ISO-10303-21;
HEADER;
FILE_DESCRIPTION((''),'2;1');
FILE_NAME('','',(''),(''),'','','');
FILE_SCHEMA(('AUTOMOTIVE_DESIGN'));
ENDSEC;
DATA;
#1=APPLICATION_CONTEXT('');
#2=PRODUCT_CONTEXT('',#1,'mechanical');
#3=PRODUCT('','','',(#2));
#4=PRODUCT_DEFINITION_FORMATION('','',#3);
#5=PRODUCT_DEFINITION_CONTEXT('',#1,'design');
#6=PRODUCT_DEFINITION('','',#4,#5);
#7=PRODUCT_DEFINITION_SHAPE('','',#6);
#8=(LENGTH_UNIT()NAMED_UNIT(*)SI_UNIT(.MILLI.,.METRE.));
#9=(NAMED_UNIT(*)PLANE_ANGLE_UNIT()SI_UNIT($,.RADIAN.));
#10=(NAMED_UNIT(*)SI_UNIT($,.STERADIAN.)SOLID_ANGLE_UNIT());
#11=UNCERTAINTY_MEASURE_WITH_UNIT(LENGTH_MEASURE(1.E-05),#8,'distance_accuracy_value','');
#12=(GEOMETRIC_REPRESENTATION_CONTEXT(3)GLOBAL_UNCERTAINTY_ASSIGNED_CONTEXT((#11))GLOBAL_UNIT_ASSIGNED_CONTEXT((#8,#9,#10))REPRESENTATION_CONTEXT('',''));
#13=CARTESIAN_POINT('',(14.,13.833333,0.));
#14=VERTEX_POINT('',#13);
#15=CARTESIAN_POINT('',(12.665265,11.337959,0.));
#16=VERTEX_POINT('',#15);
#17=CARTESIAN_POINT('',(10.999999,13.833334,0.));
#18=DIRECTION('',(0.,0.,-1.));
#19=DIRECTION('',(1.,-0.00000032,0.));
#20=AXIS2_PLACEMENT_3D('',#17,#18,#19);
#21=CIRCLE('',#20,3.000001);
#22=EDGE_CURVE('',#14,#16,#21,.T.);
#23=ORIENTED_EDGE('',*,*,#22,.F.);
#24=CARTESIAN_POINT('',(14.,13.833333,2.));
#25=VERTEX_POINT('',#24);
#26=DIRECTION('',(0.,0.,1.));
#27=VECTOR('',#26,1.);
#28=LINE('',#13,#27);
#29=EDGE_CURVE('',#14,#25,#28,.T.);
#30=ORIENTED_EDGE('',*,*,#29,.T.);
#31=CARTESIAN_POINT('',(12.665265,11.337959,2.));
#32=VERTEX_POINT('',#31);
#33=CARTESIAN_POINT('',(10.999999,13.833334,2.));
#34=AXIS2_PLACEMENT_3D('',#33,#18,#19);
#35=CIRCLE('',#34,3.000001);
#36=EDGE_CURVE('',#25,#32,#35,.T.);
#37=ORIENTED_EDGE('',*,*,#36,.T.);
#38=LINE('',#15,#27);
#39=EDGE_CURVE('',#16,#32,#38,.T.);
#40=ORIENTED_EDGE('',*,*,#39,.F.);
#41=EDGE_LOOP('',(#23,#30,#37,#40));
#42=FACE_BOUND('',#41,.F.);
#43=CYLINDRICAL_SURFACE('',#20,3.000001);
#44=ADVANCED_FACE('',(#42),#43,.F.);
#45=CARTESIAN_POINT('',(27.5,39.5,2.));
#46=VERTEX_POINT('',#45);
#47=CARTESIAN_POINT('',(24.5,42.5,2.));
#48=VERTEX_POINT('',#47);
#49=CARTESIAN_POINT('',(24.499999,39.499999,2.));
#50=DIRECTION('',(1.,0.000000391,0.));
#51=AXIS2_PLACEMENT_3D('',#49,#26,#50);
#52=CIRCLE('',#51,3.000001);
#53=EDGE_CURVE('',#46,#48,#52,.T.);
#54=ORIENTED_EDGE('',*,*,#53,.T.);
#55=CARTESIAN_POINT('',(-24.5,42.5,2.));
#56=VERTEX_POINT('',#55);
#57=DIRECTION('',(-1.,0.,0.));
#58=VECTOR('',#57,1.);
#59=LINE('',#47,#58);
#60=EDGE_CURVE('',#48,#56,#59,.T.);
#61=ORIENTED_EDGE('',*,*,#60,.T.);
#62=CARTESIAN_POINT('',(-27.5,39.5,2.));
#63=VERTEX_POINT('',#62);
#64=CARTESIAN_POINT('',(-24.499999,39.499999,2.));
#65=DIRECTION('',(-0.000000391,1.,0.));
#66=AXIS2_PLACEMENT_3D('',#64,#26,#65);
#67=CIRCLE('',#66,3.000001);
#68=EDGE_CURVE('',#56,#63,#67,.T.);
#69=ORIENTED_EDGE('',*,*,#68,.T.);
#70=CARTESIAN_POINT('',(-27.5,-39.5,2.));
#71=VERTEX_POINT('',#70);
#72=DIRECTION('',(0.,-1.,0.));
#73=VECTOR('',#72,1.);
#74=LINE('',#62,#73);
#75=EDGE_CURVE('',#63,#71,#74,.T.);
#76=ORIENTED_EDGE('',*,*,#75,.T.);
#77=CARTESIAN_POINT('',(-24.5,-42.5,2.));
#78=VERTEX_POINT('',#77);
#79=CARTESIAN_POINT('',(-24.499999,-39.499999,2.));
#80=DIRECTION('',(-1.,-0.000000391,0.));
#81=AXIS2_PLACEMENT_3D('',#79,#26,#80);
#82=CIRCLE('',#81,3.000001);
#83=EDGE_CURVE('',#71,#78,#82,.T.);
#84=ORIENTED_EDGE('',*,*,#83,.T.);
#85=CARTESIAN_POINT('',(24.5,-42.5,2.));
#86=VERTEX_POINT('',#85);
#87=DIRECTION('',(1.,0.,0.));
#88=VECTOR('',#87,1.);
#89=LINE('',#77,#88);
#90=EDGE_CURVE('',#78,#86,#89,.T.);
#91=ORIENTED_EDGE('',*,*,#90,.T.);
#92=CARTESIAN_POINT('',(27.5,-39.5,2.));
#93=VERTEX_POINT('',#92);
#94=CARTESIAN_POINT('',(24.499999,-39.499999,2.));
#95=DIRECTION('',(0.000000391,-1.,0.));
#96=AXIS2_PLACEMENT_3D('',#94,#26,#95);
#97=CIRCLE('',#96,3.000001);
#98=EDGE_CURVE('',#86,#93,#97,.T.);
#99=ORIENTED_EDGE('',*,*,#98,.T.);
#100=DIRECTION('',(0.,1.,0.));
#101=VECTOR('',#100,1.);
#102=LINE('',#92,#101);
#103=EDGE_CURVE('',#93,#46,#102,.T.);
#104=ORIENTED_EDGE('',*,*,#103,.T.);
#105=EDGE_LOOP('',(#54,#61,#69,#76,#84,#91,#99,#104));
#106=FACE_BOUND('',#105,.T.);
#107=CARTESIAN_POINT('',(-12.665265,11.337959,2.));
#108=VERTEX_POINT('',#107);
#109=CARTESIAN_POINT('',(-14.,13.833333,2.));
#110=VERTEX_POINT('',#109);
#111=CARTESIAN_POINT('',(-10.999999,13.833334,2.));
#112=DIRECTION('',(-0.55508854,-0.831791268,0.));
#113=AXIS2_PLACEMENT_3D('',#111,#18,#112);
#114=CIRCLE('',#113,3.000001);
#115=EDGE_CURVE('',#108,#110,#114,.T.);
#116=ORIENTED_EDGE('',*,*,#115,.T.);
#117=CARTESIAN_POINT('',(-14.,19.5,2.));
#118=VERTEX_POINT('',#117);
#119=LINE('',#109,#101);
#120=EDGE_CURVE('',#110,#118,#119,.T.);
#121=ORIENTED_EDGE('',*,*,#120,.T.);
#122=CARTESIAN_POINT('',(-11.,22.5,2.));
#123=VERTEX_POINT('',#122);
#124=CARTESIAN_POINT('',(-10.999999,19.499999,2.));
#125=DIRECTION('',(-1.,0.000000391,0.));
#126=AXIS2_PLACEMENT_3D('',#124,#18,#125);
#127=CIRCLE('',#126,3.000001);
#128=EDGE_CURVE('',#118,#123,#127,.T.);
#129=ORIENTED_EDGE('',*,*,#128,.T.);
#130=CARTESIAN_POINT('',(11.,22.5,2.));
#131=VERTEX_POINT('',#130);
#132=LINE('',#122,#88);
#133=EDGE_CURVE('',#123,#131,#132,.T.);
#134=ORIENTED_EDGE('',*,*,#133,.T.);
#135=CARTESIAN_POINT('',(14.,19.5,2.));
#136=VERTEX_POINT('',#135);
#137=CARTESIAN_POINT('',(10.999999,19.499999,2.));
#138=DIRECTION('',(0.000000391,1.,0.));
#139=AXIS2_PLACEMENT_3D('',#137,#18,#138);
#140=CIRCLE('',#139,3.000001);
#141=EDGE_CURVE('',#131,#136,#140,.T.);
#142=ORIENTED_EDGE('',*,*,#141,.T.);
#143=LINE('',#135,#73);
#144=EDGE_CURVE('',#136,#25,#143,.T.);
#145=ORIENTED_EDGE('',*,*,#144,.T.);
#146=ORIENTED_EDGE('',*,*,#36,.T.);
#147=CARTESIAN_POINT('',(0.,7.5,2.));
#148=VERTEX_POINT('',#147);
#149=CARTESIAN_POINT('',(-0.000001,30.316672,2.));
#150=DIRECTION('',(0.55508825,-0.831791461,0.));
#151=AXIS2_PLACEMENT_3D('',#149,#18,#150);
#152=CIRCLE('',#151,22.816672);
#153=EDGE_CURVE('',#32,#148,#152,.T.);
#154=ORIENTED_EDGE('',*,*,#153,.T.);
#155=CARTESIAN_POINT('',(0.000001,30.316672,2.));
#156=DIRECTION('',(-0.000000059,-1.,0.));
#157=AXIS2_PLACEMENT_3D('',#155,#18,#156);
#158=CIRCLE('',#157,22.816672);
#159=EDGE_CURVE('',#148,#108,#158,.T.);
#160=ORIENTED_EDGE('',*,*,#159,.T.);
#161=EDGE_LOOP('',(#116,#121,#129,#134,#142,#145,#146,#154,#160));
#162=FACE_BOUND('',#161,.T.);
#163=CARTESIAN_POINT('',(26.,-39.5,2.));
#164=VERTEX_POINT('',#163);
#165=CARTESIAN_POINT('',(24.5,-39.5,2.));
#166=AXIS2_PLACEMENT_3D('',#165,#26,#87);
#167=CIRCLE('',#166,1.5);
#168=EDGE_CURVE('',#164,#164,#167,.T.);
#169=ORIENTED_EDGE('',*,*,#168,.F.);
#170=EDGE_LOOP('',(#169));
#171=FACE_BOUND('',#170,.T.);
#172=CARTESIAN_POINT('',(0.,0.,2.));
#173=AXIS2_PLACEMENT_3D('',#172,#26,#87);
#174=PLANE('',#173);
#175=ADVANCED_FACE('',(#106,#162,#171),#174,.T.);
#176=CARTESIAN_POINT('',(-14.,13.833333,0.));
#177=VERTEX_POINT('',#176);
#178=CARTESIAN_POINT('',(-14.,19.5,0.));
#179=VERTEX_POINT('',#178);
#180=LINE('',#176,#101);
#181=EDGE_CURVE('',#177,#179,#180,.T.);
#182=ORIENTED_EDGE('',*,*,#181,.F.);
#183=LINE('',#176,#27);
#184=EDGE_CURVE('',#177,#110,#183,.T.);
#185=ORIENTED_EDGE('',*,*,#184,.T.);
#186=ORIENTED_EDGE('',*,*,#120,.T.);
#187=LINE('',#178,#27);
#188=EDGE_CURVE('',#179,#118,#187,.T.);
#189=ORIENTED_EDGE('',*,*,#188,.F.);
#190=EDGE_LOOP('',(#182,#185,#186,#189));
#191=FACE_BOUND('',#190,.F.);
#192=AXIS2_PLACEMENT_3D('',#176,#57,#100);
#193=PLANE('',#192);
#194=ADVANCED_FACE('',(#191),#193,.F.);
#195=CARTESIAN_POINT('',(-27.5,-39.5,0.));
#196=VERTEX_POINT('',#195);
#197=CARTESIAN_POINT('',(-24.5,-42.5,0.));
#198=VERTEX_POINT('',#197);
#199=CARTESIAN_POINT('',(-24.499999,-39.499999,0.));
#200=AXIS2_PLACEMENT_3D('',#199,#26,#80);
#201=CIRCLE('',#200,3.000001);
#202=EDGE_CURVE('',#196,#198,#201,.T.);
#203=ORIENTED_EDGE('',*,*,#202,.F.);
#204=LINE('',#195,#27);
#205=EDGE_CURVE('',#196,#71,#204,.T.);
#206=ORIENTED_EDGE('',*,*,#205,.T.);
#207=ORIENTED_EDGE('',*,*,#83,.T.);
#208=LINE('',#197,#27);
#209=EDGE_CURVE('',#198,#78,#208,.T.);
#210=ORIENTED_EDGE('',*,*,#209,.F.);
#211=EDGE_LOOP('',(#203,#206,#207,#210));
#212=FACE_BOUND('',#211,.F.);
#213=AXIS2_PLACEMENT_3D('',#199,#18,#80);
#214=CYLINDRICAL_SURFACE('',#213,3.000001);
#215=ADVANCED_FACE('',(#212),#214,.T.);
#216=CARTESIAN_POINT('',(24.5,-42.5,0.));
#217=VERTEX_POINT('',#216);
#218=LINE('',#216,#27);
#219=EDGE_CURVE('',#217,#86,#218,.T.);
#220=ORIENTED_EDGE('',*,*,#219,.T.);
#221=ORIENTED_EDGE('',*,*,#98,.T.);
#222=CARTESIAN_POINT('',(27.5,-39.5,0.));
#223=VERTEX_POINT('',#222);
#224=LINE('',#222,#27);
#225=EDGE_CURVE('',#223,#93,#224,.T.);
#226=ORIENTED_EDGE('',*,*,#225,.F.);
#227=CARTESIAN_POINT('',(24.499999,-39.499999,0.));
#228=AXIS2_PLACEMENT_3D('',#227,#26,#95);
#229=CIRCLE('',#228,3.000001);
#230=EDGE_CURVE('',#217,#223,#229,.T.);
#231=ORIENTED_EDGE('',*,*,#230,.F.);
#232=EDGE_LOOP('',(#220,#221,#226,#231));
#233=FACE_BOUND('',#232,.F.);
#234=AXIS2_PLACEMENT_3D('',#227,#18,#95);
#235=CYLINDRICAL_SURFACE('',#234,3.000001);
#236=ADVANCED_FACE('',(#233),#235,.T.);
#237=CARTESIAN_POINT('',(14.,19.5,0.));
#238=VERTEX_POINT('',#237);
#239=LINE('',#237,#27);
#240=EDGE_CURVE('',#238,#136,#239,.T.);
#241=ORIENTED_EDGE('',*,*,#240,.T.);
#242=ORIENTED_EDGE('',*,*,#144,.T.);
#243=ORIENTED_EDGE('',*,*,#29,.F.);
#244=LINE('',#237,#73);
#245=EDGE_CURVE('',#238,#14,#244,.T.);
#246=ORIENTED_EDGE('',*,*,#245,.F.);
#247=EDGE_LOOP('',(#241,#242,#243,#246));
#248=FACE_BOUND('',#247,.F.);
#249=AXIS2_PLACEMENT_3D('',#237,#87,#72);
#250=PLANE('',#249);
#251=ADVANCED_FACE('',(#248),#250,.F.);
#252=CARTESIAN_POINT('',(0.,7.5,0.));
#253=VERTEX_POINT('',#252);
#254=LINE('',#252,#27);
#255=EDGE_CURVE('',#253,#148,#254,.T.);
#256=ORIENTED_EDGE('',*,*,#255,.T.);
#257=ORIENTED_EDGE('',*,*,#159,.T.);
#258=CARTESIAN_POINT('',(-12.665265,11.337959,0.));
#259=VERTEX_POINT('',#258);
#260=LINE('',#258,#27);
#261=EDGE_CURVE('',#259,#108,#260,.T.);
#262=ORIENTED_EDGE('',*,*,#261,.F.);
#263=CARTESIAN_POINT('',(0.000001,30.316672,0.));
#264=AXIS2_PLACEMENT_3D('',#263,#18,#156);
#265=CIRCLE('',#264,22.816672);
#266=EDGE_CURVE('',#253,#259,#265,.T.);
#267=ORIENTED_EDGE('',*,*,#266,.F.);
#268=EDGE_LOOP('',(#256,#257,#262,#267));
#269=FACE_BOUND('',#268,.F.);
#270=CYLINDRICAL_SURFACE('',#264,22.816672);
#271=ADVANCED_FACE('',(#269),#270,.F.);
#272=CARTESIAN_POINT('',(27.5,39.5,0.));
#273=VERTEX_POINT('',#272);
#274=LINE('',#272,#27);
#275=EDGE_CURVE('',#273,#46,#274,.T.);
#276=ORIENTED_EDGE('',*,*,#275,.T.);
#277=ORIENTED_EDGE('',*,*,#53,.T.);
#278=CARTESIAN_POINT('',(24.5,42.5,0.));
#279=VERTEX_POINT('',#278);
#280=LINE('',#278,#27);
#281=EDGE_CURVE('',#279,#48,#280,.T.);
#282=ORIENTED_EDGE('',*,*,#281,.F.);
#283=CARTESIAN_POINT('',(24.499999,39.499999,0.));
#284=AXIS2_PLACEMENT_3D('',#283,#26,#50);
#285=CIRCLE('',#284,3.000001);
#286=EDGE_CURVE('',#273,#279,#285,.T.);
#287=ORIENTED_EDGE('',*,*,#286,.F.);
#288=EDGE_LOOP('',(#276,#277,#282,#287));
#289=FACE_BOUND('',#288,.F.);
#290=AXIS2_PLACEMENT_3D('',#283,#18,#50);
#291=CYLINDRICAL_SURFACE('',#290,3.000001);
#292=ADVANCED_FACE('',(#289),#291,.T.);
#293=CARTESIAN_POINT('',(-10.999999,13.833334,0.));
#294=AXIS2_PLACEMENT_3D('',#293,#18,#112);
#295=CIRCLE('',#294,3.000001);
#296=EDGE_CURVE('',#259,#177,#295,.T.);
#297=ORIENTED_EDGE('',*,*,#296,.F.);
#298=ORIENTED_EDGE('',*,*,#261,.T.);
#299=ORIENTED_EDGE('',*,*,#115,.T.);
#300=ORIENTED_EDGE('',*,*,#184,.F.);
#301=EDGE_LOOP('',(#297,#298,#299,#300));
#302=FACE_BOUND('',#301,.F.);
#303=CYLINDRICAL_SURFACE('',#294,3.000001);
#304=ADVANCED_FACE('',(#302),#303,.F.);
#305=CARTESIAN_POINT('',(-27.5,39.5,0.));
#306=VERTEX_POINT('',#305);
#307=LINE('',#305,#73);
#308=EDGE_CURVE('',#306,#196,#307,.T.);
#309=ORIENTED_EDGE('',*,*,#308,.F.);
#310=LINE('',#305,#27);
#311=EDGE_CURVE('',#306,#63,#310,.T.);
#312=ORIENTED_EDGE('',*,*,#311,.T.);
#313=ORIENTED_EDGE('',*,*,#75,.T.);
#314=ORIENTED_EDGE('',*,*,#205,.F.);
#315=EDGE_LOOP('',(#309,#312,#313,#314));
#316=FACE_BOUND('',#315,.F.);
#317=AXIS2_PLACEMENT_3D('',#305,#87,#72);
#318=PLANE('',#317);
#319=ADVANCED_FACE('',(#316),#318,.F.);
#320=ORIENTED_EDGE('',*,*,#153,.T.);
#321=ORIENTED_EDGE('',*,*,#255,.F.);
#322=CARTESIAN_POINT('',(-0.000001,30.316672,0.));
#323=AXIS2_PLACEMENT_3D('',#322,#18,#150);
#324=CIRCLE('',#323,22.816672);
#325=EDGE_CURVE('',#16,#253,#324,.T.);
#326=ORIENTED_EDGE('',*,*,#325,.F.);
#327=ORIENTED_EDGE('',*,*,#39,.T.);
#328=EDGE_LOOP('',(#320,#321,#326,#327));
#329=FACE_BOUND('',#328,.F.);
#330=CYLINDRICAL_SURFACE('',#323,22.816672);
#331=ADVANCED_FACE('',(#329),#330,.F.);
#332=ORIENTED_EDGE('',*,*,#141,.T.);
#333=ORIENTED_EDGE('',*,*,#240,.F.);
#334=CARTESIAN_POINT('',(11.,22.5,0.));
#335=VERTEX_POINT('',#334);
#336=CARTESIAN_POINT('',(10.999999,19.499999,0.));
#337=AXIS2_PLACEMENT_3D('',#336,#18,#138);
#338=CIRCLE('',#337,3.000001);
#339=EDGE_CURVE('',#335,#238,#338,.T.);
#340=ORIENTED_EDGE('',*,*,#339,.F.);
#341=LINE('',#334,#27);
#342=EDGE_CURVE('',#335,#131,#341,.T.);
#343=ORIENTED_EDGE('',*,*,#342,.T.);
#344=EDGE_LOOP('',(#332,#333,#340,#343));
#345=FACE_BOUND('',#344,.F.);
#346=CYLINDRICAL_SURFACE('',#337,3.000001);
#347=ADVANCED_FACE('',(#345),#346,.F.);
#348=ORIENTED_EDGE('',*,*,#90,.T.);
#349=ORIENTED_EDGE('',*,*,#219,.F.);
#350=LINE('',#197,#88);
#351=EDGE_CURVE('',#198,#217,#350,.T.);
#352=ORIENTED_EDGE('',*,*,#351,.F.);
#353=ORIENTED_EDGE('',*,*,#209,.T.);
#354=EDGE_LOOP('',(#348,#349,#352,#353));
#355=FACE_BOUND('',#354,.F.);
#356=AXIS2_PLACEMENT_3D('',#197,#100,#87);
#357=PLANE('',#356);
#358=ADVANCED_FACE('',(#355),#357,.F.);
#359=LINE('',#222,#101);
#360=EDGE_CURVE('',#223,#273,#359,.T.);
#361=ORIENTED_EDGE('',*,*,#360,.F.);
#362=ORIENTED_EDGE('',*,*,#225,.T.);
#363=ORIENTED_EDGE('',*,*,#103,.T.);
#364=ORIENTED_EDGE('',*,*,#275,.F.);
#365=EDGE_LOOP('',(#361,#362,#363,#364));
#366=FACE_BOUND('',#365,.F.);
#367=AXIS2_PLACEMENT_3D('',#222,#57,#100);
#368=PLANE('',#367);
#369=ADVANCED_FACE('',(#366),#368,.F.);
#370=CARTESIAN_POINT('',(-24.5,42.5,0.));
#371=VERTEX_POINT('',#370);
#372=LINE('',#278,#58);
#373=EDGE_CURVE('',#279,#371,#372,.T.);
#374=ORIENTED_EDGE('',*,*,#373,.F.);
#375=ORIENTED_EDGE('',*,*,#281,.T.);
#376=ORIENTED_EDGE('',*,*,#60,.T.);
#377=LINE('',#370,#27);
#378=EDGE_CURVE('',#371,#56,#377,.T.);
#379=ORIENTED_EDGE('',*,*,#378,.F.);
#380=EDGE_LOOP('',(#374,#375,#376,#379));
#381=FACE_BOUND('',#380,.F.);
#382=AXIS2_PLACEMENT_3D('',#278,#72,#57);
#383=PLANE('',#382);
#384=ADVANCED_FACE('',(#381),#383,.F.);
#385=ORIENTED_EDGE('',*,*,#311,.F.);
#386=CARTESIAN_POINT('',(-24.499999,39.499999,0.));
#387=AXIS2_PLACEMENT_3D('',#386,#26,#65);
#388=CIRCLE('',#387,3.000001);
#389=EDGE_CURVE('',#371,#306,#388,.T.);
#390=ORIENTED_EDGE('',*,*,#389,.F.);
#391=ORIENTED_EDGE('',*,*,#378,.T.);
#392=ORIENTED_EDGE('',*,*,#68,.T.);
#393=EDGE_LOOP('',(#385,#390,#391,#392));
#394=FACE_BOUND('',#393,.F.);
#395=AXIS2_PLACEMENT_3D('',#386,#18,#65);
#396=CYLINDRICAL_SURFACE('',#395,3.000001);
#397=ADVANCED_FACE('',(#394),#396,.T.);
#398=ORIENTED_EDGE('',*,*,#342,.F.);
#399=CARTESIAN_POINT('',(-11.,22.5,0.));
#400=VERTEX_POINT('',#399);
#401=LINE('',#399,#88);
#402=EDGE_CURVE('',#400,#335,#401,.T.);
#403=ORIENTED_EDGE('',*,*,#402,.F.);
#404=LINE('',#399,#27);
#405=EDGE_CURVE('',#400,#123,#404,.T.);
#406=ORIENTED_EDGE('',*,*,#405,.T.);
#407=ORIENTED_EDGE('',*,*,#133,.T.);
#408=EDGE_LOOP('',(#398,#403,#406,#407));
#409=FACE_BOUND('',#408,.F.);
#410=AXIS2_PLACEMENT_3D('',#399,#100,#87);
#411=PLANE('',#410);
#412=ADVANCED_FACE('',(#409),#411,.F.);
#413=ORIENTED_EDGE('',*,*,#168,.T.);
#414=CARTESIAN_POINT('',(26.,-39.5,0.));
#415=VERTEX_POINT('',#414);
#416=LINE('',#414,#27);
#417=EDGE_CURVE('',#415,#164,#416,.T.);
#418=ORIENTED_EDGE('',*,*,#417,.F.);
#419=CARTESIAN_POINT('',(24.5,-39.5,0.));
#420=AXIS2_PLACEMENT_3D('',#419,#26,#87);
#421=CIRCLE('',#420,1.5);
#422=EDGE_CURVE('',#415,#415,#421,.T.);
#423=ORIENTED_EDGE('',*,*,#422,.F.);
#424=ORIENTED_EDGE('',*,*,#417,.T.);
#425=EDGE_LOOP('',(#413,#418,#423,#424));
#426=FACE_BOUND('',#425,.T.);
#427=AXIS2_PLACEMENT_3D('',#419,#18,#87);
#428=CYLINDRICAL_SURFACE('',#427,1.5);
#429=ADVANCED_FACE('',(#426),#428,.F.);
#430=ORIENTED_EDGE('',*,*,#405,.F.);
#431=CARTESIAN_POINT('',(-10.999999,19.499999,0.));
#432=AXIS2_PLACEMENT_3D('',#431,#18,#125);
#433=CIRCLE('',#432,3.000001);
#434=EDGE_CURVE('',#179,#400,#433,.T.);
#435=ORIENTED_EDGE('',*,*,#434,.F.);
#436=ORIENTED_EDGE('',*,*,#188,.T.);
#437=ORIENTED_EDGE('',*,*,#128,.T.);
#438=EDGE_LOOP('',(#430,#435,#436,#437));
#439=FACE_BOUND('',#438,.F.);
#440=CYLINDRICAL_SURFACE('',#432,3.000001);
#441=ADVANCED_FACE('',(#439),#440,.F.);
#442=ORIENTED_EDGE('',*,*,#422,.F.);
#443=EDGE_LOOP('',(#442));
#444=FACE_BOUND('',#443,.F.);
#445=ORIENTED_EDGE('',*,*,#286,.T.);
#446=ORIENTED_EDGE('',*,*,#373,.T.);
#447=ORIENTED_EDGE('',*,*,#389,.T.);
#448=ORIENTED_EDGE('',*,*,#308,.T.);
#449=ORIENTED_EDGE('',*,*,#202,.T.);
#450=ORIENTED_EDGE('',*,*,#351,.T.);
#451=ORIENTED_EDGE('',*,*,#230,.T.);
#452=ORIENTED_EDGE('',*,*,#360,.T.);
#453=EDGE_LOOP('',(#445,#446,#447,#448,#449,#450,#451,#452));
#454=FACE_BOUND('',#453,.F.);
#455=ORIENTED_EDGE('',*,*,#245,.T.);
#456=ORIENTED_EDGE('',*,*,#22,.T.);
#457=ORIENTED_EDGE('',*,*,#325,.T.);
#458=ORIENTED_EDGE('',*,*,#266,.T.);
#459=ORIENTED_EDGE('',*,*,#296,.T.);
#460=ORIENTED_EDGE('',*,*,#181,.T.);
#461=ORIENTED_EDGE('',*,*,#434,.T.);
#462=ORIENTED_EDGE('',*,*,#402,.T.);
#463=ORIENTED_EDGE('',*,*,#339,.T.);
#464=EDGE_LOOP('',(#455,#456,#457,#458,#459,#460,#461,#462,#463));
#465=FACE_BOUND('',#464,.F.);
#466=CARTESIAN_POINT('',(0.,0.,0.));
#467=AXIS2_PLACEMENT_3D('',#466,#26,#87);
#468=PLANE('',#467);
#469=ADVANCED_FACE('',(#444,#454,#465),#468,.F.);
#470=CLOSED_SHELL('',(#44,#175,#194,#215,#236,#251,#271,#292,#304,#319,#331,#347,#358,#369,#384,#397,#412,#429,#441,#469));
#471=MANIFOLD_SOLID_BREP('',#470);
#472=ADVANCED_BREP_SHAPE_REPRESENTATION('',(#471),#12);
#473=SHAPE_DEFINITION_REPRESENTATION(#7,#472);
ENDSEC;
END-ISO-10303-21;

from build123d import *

# Parameters (mm, degrees)
F0_R     = 1.5
F1_DEPTH = 2


with BuildPart() as f1:
    # F0 (on Top) → F1 (new body)
    with BuildSketch(Plane.XY):
        with BuildLine():
            ThreePointArc((27.5, 39.5), (26.62132, 41.62132), (24.5, 42.5))
            Line((24.5, 42.5), (-24.5, 42.5))
            ThreePointArc((-24.5, 42.5), (-26.62132, 41.62132), (-27.5, 39.5))
            Line((-27.5, 39.5), (-27.5, -39.5))
            ThreePointArc((-27.5, -39.5), (-26.62132, -41.62132), (-24.5, -42.5))
            Line((-24.5, -42.5), (24.5, -42.5))
            ThreePointArc((24.5, -42.5), (26.62132, -41.62132), (27.5, -39.5))
            Line((27.5, -39.5), (27.5, 39.5))
        make_face()
        with Locations((24.5, -39.5)):
            Circle(F0_R, mode=Mode.SUBTRACT)
        with BuildLine():
            Line((14, 19.5), (14, 13.833333))
            ThreePointArc((14, 13.833333), (13.645354, 12.418377), (12.665265, 11.337959))
            ThreePointArc((12.665265, 11.337959), (6.617002, 8.48056), (0, 7.5))
            ThreePointArc((0, 7.5), (-6.617002, 8.48056), (-12.665265, 11.337959))
            ThreePointArc((-12.665265, 11.337959), (-13.645354, 12.418377), (-14, 13.833333))
            Line((-14, 13.833333), (-14, 19.5))
            ThreePointArc((-14, 19.5), (-13.12132, 21.62132), (-11, 22.5))
            Line((-11, 22.5), (0, 22.5))
            Line((0, 22.5), (11, 22.5))
            ThreePointArc((11, 22.5), (13.12132, 21.62132), (14, 19.5))
        make_face(mode=Mode.SUBTRACT)
    extrude(amount=F1_DEPTH)


solid = f1.part
